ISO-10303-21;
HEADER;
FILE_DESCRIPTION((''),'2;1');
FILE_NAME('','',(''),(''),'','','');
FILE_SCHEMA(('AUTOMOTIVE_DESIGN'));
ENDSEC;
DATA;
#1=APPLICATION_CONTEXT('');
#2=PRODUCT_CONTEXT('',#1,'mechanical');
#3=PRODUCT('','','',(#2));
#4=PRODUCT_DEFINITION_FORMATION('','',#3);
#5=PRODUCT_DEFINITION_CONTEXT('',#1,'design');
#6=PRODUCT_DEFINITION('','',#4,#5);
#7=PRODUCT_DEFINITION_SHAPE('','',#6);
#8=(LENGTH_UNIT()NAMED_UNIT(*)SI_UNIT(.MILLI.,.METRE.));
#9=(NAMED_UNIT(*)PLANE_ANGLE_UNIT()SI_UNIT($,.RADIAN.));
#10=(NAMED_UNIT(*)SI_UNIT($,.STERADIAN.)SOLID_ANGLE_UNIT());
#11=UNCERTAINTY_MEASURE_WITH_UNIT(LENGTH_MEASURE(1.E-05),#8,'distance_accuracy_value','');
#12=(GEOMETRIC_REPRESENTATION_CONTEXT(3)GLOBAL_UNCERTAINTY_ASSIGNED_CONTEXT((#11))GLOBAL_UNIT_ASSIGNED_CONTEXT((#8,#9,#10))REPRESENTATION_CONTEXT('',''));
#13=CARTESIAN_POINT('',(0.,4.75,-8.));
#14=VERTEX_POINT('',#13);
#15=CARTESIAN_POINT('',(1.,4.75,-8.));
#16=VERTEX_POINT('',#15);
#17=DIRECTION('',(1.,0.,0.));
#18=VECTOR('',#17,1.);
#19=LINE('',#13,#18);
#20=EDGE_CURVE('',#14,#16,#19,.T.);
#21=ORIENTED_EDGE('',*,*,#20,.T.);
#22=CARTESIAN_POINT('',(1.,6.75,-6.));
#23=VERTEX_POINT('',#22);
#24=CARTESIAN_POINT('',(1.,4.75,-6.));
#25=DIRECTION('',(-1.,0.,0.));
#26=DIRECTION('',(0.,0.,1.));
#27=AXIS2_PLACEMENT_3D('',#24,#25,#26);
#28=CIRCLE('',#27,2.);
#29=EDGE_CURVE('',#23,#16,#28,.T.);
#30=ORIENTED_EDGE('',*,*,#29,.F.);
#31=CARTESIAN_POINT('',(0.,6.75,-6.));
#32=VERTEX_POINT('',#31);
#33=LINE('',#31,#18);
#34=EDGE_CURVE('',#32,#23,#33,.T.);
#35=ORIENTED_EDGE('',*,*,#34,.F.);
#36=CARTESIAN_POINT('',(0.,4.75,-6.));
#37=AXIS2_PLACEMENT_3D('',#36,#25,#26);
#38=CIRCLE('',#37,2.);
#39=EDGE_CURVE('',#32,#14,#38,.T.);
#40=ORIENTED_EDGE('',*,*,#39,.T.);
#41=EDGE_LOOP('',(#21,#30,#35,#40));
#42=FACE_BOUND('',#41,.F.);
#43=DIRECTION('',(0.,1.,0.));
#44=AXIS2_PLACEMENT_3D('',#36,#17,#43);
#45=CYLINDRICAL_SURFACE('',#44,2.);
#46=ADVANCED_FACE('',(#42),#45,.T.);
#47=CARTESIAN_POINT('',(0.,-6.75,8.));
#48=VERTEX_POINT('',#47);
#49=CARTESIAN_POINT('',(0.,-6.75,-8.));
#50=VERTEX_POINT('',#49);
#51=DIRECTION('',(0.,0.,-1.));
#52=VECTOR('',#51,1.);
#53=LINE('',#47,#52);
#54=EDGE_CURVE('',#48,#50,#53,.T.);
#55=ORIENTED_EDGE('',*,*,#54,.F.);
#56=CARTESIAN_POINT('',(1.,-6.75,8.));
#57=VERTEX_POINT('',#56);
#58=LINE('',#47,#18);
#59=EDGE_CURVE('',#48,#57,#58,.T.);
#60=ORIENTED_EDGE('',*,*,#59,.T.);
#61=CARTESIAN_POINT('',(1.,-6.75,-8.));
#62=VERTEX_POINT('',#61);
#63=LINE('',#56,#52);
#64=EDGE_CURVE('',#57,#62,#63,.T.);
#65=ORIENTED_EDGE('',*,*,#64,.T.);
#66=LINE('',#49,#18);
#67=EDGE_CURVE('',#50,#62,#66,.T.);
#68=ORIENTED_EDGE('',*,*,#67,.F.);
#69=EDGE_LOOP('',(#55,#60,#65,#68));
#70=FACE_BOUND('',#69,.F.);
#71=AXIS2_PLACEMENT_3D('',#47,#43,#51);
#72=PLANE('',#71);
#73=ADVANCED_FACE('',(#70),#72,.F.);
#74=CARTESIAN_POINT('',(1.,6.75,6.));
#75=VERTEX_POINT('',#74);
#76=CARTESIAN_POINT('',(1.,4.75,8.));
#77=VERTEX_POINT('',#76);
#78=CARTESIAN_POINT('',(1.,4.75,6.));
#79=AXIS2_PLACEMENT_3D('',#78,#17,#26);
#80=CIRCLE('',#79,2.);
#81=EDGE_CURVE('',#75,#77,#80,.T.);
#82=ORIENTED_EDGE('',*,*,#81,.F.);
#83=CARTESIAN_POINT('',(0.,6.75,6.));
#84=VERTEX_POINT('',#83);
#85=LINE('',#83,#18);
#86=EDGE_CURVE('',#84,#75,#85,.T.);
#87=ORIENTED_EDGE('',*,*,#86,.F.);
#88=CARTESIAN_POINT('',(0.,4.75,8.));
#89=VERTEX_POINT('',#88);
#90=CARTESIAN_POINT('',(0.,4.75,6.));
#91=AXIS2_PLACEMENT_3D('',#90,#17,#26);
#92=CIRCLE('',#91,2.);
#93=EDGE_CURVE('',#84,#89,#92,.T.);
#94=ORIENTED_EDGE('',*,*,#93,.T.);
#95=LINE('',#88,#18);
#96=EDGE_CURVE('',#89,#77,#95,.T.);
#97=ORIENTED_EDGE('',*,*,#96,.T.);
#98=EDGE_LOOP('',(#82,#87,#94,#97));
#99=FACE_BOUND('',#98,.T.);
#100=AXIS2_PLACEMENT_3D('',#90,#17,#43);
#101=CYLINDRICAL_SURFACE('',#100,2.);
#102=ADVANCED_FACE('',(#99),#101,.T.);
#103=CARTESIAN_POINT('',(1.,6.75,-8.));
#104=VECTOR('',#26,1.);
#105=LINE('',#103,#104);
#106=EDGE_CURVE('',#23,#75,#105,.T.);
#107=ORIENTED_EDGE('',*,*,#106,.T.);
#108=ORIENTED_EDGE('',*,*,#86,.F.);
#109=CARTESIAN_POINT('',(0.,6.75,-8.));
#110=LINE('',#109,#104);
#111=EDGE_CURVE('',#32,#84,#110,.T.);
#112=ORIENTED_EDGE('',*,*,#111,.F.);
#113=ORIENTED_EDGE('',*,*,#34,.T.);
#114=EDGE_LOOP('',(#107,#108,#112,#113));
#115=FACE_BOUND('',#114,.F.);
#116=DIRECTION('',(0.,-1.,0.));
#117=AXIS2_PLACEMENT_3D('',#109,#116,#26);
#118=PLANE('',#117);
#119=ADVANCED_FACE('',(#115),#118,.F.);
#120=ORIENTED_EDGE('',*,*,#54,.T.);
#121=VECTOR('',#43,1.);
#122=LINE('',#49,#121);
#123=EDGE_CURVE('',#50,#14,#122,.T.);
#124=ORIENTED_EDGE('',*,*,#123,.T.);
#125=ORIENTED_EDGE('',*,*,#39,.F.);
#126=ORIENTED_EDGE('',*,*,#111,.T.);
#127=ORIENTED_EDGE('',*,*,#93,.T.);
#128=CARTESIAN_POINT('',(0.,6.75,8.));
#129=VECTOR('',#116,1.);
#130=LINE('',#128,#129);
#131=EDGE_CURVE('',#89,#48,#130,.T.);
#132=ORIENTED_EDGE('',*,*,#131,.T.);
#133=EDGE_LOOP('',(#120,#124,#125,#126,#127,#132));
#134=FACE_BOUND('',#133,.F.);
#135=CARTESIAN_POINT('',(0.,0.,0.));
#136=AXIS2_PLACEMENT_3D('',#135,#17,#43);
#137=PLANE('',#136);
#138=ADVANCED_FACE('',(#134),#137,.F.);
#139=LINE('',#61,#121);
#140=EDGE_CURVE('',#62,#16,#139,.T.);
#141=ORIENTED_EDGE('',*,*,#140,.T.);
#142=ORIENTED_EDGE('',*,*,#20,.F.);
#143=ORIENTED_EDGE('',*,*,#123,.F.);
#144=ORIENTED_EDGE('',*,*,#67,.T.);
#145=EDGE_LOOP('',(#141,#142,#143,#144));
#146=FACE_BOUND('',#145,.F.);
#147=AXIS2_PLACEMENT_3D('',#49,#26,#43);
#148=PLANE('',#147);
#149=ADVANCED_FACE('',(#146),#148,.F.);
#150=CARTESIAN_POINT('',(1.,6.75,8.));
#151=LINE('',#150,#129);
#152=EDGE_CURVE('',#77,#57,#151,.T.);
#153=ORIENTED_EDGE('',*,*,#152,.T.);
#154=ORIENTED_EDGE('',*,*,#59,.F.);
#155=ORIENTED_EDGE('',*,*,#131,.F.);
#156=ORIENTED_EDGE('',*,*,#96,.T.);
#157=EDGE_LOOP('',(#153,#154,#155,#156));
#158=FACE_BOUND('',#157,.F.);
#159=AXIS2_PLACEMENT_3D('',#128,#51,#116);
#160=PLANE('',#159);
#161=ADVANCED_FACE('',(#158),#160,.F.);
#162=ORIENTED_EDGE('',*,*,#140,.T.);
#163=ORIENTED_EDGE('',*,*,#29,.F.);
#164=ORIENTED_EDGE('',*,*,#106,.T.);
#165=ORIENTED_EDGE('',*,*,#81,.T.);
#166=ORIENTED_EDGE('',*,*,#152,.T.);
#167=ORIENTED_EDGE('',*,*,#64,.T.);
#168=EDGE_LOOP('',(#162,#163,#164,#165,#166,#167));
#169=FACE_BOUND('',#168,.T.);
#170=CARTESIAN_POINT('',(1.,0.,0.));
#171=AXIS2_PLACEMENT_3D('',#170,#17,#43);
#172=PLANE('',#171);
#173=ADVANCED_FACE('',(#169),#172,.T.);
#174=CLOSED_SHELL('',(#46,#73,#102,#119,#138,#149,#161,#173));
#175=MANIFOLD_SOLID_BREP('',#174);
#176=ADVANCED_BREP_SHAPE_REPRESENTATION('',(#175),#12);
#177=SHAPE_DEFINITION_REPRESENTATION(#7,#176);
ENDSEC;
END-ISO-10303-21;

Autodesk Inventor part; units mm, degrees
ref_plane "YZ Plane" through (0, 0, 0) normal (1, 0, 0) x (0, 1, 0)
ref_plane "XZ Plane" through (0, 0, 0) normal (0, 1, 0) x (-1, 0, 0)
ref_plane "XY Plane" through (0, 0, 0) normal (0, 0, 1) x (1, 0, 0)
sketch "Sketch1" plane through (0, 0, 0) normal (1, 0, 0) x (0, 1, 0)
  line L0 (6.75, 8) -> (-6.75, 8)
  line L1 (-6.75, 8) -> (-6.75, -8)
  line L2 (-6.75, -8) -> (6.75, -8)
  line L3 (6.75, -8) -> (6.75, 8)
  point P0 (0, 0)
  dimension "d0" = 16
  dimension "d1" = 13.5
  dimension "d2" = 6.75
  dimension "d3" = 8
extrude "Extrusion1" add sketch "Sketch1" along normal blind 1
fillet "Fillet1" radius 2 2 edges at (0.5, 6.75, 8) (0.5, 6.75, -8)
sketch "Sketch3" plane through (0, 0, 0) normal (-1, 0, 0) x (0, 0, 1)
  line L0 (-1.5, 1.5) -> (1.5, 1.5)
  line L1 (1.5, 1.5) -> (1.5, -1.5)
  line L2 (1.5, -1.5) -> (-1.5, -1.5)
  line L3 (-1.5, -1.5) -> (-1.5, 1.5)
  point P0 (0, 0)
  dimension "d14" = 3
  dimension "d15" = 3
  dimension "d16" = 1.5
  dimension "d17" = 1.5
extrude "Extrusion3" [suppressed]
equation "\"d2\" = 0.5 * d1"
equation "\"d3\" = 0.5 * d0"
properties part number "fingertip lid 5"
